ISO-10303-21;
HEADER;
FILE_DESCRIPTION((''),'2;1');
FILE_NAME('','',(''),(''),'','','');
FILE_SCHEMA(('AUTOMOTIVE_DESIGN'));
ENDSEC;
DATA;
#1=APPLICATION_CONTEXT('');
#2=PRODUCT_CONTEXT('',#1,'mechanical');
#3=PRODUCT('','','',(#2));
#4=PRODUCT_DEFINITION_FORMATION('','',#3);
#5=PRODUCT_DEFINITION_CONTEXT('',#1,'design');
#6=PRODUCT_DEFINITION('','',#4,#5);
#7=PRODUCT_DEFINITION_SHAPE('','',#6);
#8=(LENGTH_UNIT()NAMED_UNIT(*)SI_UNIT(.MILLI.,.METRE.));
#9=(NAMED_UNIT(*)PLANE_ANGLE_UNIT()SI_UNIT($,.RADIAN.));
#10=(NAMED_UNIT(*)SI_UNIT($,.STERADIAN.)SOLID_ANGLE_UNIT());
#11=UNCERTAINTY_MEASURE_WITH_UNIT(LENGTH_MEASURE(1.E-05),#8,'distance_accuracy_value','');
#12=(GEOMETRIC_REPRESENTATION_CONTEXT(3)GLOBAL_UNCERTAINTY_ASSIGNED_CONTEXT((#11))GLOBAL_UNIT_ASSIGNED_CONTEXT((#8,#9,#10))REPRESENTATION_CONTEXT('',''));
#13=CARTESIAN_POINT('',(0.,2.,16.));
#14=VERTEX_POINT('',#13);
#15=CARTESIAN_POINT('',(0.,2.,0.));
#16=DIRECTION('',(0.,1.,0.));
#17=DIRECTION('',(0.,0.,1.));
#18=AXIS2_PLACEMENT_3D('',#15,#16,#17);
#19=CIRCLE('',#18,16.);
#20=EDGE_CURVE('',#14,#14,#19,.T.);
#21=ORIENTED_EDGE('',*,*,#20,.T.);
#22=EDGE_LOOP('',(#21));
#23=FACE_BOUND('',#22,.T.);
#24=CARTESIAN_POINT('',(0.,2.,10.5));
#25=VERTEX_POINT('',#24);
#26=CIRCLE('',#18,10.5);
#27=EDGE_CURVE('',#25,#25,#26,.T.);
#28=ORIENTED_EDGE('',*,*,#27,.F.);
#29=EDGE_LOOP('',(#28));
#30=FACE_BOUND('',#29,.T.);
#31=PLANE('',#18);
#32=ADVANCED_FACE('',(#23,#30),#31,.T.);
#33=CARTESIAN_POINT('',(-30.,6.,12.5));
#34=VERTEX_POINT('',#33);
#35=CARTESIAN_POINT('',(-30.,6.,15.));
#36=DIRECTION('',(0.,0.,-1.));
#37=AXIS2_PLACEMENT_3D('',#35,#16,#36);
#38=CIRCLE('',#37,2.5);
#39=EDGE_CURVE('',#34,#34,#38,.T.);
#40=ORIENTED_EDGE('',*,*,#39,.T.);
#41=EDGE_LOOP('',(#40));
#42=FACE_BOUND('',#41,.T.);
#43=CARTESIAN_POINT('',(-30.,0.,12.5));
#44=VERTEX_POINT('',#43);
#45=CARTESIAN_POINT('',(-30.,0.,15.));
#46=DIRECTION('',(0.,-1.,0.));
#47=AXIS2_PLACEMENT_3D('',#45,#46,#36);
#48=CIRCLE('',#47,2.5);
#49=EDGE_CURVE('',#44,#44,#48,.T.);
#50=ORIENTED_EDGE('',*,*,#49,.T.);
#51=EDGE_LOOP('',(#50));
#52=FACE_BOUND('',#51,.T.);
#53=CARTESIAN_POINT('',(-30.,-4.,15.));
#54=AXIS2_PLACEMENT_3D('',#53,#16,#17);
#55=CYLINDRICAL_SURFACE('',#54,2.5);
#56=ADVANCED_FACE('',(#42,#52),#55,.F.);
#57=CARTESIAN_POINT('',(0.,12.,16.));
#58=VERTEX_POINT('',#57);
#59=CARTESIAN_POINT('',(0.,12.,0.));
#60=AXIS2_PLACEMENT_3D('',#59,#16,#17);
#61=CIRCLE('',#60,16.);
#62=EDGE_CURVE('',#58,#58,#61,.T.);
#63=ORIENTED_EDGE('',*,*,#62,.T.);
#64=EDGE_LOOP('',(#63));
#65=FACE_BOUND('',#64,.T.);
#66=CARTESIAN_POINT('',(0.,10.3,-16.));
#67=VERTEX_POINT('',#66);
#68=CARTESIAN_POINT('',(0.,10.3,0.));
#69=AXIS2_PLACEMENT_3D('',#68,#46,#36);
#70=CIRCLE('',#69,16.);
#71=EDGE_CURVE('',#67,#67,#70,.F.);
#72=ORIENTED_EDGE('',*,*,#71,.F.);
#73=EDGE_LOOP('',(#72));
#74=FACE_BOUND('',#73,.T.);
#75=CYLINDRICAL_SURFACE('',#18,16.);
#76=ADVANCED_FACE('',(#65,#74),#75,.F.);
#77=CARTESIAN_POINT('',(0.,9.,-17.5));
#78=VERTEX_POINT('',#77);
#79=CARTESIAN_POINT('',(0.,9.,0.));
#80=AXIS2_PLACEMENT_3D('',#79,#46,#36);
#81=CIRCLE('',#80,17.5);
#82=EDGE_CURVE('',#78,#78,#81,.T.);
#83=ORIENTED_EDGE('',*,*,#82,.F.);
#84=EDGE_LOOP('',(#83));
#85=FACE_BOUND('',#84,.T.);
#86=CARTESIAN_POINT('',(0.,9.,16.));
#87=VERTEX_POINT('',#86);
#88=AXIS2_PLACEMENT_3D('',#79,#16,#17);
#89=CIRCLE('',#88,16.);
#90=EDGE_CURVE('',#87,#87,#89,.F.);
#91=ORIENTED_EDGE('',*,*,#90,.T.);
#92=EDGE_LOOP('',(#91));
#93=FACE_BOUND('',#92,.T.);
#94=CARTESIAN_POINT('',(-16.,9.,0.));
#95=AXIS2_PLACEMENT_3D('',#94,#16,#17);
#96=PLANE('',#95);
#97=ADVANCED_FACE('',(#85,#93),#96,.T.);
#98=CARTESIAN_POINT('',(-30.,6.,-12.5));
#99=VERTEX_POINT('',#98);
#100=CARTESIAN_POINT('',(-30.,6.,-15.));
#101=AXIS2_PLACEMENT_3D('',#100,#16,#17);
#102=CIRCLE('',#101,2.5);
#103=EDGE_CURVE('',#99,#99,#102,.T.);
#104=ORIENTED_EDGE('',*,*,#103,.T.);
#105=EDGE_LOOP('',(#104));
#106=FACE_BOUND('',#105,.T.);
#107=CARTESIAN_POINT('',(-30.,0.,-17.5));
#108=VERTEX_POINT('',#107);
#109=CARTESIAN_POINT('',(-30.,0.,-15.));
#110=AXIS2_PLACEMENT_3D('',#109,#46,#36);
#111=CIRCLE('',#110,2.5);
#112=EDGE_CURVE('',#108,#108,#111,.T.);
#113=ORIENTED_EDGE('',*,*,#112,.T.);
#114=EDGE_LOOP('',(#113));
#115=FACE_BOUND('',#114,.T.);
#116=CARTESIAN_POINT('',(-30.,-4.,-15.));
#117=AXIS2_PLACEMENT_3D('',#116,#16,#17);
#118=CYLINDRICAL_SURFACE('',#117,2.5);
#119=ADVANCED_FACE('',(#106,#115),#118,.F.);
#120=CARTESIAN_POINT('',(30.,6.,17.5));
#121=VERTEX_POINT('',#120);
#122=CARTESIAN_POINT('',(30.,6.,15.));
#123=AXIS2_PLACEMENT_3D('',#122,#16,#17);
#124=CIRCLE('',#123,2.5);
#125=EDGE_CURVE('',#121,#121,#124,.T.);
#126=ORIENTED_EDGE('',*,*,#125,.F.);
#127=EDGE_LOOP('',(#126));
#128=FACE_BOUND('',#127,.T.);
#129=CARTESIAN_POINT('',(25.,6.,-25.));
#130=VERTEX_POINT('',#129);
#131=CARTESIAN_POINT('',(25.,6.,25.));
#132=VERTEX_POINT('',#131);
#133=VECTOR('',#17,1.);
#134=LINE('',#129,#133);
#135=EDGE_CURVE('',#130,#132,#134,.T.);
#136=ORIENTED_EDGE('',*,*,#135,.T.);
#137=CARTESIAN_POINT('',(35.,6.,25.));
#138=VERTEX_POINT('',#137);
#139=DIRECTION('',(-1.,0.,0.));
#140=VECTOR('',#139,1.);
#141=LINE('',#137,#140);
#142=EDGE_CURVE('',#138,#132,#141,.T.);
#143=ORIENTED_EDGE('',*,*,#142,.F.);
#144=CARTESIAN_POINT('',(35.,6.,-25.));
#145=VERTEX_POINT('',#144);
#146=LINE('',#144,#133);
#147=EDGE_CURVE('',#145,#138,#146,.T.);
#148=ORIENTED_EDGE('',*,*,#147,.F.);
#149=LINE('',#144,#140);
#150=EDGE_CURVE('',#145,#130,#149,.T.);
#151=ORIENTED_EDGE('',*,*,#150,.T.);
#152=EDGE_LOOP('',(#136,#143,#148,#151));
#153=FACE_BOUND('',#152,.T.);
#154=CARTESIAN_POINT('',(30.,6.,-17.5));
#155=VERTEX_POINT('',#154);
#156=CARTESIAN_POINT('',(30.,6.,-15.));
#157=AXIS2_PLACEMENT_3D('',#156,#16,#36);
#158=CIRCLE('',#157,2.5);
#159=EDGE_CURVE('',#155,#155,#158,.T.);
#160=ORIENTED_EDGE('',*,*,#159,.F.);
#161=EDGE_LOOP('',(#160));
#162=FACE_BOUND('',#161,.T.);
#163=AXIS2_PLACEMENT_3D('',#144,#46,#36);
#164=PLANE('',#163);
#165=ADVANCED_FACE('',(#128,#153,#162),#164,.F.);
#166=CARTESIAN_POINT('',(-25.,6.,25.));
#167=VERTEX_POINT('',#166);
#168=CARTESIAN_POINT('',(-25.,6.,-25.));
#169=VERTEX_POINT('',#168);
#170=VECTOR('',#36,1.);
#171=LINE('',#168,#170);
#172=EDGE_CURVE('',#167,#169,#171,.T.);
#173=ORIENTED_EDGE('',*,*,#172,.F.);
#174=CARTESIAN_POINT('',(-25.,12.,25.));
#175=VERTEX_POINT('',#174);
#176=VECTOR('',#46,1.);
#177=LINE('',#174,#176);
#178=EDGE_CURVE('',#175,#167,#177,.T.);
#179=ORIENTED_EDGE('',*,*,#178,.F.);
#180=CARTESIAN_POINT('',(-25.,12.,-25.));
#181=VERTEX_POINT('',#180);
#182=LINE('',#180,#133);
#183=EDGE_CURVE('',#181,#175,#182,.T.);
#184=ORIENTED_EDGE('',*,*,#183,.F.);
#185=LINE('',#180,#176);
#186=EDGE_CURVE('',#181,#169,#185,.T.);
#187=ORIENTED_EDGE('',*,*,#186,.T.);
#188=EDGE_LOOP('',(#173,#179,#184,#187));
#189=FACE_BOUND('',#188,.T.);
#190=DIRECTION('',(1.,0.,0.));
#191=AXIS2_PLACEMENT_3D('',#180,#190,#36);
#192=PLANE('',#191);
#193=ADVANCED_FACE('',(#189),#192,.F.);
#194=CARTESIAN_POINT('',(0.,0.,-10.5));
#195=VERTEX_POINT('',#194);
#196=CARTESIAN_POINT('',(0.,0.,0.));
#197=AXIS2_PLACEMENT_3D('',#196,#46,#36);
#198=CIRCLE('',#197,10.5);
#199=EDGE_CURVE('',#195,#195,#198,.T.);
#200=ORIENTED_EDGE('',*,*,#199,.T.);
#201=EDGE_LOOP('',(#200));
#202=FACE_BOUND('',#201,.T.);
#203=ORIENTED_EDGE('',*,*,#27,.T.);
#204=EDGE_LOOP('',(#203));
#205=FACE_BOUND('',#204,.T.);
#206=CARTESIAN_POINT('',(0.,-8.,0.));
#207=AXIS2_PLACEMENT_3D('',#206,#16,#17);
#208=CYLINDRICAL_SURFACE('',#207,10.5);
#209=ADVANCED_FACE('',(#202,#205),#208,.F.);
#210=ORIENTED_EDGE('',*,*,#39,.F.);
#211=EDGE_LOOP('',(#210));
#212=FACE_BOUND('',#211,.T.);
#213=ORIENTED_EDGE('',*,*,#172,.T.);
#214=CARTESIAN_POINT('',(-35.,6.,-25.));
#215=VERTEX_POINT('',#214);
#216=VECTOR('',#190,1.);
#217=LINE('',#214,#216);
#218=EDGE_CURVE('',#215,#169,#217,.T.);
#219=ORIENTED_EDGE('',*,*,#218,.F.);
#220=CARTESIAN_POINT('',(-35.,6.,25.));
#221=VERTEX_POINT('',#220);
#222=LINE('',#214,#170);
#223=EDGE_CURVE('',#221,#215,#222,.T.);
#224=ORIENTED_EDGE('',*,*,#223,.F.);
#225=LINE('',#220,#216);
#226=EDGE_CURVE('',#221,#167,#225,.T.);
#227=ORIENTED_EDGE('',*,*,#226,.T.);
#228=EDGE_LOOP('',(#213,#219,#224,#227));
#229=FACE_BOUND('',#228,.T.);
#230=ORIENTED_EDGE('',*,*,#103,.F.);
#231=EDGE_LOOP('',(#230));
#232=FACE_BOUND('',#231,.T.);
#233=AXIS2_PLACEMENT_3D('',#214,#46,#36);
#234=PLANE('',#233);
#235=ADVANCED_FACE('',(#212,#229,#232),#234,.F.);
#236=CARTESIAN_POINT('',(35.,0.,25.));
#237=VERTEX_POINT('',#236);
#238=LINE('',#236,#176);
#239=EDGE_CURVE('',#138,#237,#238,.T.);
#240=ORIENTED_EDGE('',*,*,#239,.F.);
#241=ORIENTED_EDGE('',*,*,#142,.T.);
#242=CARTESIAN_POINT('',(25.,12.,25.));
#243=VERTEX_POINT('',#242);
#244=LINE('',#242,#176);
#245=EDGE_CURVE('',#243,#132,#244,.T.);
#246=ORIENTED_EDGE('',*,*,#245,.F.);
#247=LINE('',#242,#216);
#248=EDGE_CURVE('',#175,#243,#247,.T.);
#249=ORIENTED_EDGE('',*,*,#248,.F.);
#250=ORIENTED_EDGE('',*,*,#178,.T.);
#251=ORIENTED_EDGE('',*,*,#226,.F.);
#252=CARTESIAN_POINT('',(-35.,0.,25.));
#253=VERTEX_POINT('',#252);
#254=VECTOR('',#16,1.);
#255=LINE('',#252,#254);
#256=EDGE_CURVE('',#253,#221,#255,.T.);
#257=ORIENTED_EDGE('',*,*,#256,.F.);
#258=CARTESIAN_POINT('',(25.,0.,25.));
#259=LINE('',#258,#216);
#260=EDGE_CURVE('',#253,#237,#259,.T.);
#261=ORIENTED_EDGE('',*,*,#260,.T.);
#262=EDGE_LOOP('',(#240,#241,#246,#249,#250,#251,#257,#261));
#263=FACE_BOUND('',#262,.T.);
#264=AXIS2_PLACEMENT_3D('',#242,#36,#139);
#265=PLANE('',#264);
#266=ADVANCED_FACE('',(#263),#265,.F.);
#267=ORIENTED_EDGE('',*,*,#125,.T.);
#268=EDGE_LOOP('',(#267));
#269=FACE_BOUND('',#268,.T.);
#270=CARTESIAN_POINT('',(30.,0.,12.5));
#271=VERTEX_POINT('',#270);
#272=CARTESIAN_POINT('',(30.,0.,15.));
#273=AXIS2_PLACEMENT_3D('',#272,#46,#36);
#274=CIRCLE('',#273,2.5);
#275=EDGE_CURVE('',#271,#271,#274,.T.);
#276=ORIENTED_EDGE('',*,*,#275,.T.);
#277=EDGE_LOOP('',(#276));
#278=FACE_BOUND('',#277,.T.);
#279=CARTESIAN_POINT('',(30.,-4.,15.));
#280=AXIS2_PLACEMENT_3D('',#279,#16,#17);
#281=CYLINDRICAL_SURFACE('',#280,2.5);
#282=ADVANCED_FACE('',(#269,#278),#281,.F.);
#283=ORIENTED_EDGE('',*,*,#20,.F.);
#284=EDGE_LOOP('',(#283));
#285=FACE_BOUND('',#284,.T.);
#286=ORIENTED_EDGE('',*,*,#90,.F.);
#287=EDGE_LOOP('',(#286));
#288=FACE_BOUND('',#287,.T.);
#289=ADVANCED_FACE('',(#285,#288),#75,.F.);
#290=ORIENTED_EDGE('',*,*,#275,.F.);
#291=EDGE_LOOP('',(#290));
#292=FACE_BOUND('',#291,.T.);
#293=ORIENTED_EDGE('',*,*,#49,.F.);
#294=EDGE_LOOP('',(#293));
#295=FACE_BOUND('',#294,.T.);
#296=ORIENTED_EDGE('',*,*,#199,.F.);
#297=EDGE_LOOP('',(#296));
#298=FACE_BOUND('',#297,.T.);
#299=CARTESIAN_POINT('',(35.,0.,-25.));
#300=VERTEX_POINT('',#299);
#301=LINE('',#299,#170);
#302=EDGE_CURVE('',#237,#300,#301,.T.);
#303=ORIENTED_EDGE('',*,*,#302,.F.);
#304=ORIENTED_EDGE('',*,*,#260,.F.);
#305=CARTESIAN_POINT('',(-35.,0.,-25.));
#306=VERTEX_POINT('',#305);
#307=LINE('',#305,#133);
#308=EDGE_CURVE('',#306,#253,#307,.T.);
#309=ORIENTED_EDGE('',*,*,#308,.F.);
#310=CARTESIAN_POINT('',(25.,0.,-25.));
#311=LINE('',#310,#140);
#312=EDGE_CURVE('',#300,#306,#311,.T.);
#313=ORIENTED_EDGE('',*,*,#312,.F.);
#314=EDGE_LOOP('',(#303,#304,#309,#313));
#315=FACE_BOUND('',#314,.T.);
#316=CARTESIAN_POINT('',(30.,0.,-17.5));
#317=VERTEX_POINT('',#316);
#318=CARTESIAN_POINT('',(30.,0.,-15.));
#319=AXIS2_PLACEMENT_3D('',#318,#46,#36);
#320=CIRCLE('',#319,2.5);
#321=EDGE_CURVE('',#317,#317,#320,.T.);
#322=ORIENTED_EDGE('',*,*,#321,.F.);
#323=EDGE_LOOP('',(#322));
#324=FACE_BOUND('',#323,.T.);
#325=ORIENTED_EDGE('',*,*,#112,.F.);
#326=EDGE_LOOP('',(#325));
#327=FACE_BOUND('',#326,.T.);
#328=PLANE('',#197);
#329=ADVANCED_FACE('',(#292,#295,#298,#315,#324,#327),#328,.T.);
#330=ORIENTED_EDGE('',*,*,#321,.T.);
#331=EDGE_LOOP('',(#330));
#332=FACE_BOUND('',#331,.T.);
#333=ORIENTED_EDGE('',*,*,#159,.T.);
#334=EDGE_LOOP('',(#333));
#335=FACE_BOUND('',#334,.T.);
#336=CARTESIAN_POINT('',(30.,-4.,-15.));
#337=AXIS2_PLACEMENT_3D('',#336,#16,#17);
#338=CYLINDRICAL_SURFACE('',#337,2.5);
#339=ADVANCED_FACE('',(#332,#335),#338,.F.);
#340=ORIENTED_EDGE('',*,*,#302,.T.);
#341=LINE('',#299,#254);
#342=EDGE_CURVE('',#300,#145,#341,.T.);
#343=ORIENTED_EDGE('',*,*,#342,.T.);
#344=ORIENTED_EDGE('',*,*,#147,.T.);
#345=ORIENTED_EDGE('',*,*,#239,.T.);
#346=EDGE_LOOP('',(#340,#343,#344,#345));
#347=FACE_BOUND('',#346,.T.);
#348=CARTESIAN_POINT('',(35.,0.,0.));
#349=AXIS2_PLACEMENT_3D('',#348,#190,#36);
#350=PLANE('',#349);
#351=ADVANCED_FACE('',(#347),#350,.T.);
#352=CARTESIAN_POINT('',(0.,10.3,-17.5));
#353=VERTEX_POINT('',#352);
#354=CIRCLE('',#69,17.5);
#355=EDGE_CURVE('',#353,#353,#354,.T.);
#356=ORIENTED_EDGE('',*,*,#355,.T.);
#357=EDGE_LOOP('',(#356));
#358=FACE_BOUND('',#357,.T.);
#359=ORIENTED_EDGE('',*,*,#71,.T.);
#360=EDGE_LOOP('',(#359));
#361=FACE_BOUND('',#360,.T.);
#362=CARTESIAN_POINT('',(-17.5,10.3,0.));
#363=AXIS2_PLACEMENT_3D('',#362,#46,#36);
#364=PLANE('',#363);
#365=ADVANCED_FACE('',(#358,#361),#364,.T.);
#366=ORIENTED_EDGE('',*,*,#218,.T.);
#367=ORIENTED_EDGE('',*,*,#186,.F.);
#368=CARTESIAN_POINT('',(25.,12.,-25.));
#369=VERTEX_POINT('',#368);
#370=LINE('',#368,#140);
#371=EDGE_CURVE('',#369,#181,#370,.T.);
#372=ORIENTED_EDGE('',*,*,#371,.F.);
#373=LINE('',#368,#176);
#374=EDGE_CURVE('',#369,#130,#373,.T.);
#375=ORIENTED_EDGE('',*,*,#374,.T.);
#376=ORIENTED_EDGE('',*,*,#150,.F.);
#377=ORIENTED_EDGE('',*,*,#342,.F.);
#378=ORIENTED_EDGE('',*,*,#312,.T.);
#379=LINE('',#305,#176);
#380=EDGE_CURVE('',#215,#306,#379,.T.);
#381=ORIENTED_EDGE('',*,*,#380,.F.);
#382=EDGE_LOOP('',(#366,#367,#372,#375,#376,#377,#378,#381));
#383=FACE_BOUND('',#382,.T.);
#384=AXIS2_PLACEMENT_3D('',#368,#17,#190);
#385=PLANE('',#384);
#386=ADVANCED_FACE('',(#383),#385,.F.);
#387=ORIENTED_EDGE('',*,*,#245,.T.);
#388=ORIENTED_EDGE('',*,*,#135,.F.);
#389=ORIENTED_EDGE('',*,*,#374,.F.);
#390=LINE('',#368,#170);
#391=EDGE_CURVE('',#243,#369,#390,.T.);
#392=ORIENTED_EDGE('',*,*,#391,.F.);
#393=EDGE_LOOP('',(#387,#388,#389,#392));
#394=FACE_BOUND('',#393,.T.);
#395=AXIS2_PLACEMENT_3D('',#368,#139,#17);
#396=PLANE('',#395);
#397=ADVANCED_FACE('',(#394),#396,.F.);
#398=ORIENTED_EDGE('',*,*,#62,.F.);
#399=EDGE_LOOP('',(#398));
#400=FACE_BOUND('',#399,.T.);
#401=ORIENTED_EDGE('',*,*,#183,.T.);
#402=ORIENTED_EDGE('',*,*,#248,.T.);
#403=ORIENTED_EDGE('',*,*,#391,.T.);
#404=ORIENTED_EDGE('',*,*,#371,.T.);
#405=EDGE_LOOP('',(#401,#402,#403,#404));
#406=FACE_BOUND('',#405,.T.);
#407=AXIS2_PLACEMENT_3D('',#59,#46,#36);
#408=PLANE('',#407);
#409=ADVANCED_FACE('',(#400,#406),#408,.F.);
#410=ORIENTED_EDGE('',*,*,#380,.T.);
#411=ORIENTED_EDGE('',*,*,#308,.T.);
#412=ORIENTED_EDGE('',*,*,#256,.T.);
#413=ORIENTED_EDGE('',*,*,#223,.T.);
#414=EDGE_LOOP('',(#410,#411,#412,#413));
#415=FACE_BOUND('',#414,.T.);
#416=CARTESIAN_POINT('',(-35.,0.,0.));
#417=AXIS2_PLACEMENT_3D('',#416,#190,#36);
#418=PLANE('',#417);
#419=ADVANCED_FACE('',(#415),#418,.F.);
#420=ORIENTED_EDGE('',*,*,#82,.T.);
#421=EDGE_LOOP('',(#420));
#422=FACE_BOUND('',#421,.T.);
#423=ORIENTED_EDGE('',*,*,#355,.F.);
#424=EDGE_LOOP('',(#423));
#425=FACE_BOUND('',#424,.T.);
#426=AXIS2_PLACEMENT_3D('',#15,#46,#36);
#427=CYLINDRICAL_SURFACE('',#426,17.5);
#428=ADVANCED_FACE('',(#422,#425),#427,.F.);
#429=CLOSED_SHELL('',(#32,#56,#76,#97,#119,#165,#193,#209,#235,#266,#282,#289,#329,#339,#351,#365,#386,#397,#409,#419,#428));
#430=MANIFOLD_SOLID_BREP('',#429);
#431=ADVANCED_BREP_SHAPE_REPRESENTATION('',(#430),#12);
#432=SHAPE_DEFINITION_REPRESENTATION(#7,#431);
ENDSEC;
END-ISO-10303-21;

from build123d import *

# Parameters (mm, degrees)
SKETCH1_W           = 50
SKETCH1_H           = 50
BOSS_EXTRUDE2_DEPTH = 12
SKETCH3_R           = 16
CUT_EXTRUDE1_DEPTH  = 10
SKETCH6_R           = 10.5
CUT_EXTRUDE2_DEPTH  = 10
SKETCH9_W           = 50
SKETCH9_H           = 6
BOSS_EXTRUDE3_DEPTH = 10
SKETCH11_W          = 50
SKETCH11_H          = 6
BOSS_EXTRUDE4_DEPTH = 10
SKETCH12_R          = 2.5
CUT_EXTRUDE4_DEPTH  = 10


with BuildPart() as part:
    # Sketch1 → Boss-Extrude2 (new body)
    with BuildSketch(Plane(origin=(0, 0, 0), x_dir=(1, 0, 0), z_dir=(0, 1, 0))):
        Rectangle(SKETCH1_W, SKETCH1_H)
    extrude(amount=BOSS_EXTRUDE2_DEPTH)

    # Sketch3 → Cut-Extrude1 (cut)
    with BuildSketch(Plane(origin=(0, 12, 0), x_dir=(1, 0, 0), z_dir=(0, 1, 0))):
        with Locations(Location((0, 0, 0), (0, 0, 270))):
            Circle(SKETCH3_R)
    extrude(amount=-CUT_EXTRUDE1_DEPTH, mode=Mode.SUBTRACT)

    # Sketch5 → Cut-Revolve1 (revolve, cut)
    with BuildSketch(Plane.XY, mode=Mode.PRIVATE) as cut_revolve1_sk:
        Polygon((-16, 9), (-17.5, 9), (-17.5, 10.3), (-16, 10.3), (-15.747172999, 10.3), (-15.747172999, 9), align=None)
    revolve(cut_revolve1_sk.sketch.rotate(Axis((0, 2, 0), (0, 1, 0)), 90), axis=Axis((0, 2, 0), (0, 1, 0)), mode=Mode.SUBTRACT)

    # Sketch6 → Cut-Extrude2 (cut)
    with BuildSketch(Plane(origin=(0, 2, 0), x_dir=(1, 0, 0), z_dir=(0, 1, 0))):
        with Locations(Location((0, 0, 0), (0, 0, 270))):
            Circle(SKETCH6_R)
    extrude(amount=-CUT_EXTRUDE2_DEPTH, mode=Mode.SUBTRACT)

    # Sketch9 → Boss-Extrude3 (add)
    with BuildSketch(Plane.ZY.offset(25)):
        with Locations((0, 3)):
            Rectangle(SKETCH9_W, SKETCH9_H)
    extrude(amount=BOSS_EXTRUDE3_DEPTH)

    # Sketch11 → Boss-Extrude4 (add)
    with BuildSketch(Plane(origin=(25, 0, 0), x_dir=(0, 0, -1), z_dir=(1, 0, 0))):
        with Locations((0, 3)):
            Rectangle(SKETCH11_W, SKETCH11_H)
    extrude(amount=BOSS_EXTRUDE4_DEPTH)

    # Sketch12 → Cut-Extrude4 (cut)
    with BuildSketch(Plane(origin=(0, 6, 0), x_dir=(1, 0, 0), z_dir=(0, 1, 0))):
        with Locations(Location((-30, 15, 0), (0, 0, 270))):
            Circle(SKETCH12_R)
        with Locations(Location((-30, -15, 0), (0, 0, 90))):
            Circle(SKETCH12_R)
        with Locations(Location((30, -15, 0), (0, 0, 270))):
            Circle(SKETCH12_R)
        with Locations(Location((30, 15, 0), (0, 0, 90))):
            Circle(SKETCH12_R)
    extrude(amount=-CUT_EXTRUDE4_DEPTH, mode=Mode.SUBTRACT)


solid = part.part
